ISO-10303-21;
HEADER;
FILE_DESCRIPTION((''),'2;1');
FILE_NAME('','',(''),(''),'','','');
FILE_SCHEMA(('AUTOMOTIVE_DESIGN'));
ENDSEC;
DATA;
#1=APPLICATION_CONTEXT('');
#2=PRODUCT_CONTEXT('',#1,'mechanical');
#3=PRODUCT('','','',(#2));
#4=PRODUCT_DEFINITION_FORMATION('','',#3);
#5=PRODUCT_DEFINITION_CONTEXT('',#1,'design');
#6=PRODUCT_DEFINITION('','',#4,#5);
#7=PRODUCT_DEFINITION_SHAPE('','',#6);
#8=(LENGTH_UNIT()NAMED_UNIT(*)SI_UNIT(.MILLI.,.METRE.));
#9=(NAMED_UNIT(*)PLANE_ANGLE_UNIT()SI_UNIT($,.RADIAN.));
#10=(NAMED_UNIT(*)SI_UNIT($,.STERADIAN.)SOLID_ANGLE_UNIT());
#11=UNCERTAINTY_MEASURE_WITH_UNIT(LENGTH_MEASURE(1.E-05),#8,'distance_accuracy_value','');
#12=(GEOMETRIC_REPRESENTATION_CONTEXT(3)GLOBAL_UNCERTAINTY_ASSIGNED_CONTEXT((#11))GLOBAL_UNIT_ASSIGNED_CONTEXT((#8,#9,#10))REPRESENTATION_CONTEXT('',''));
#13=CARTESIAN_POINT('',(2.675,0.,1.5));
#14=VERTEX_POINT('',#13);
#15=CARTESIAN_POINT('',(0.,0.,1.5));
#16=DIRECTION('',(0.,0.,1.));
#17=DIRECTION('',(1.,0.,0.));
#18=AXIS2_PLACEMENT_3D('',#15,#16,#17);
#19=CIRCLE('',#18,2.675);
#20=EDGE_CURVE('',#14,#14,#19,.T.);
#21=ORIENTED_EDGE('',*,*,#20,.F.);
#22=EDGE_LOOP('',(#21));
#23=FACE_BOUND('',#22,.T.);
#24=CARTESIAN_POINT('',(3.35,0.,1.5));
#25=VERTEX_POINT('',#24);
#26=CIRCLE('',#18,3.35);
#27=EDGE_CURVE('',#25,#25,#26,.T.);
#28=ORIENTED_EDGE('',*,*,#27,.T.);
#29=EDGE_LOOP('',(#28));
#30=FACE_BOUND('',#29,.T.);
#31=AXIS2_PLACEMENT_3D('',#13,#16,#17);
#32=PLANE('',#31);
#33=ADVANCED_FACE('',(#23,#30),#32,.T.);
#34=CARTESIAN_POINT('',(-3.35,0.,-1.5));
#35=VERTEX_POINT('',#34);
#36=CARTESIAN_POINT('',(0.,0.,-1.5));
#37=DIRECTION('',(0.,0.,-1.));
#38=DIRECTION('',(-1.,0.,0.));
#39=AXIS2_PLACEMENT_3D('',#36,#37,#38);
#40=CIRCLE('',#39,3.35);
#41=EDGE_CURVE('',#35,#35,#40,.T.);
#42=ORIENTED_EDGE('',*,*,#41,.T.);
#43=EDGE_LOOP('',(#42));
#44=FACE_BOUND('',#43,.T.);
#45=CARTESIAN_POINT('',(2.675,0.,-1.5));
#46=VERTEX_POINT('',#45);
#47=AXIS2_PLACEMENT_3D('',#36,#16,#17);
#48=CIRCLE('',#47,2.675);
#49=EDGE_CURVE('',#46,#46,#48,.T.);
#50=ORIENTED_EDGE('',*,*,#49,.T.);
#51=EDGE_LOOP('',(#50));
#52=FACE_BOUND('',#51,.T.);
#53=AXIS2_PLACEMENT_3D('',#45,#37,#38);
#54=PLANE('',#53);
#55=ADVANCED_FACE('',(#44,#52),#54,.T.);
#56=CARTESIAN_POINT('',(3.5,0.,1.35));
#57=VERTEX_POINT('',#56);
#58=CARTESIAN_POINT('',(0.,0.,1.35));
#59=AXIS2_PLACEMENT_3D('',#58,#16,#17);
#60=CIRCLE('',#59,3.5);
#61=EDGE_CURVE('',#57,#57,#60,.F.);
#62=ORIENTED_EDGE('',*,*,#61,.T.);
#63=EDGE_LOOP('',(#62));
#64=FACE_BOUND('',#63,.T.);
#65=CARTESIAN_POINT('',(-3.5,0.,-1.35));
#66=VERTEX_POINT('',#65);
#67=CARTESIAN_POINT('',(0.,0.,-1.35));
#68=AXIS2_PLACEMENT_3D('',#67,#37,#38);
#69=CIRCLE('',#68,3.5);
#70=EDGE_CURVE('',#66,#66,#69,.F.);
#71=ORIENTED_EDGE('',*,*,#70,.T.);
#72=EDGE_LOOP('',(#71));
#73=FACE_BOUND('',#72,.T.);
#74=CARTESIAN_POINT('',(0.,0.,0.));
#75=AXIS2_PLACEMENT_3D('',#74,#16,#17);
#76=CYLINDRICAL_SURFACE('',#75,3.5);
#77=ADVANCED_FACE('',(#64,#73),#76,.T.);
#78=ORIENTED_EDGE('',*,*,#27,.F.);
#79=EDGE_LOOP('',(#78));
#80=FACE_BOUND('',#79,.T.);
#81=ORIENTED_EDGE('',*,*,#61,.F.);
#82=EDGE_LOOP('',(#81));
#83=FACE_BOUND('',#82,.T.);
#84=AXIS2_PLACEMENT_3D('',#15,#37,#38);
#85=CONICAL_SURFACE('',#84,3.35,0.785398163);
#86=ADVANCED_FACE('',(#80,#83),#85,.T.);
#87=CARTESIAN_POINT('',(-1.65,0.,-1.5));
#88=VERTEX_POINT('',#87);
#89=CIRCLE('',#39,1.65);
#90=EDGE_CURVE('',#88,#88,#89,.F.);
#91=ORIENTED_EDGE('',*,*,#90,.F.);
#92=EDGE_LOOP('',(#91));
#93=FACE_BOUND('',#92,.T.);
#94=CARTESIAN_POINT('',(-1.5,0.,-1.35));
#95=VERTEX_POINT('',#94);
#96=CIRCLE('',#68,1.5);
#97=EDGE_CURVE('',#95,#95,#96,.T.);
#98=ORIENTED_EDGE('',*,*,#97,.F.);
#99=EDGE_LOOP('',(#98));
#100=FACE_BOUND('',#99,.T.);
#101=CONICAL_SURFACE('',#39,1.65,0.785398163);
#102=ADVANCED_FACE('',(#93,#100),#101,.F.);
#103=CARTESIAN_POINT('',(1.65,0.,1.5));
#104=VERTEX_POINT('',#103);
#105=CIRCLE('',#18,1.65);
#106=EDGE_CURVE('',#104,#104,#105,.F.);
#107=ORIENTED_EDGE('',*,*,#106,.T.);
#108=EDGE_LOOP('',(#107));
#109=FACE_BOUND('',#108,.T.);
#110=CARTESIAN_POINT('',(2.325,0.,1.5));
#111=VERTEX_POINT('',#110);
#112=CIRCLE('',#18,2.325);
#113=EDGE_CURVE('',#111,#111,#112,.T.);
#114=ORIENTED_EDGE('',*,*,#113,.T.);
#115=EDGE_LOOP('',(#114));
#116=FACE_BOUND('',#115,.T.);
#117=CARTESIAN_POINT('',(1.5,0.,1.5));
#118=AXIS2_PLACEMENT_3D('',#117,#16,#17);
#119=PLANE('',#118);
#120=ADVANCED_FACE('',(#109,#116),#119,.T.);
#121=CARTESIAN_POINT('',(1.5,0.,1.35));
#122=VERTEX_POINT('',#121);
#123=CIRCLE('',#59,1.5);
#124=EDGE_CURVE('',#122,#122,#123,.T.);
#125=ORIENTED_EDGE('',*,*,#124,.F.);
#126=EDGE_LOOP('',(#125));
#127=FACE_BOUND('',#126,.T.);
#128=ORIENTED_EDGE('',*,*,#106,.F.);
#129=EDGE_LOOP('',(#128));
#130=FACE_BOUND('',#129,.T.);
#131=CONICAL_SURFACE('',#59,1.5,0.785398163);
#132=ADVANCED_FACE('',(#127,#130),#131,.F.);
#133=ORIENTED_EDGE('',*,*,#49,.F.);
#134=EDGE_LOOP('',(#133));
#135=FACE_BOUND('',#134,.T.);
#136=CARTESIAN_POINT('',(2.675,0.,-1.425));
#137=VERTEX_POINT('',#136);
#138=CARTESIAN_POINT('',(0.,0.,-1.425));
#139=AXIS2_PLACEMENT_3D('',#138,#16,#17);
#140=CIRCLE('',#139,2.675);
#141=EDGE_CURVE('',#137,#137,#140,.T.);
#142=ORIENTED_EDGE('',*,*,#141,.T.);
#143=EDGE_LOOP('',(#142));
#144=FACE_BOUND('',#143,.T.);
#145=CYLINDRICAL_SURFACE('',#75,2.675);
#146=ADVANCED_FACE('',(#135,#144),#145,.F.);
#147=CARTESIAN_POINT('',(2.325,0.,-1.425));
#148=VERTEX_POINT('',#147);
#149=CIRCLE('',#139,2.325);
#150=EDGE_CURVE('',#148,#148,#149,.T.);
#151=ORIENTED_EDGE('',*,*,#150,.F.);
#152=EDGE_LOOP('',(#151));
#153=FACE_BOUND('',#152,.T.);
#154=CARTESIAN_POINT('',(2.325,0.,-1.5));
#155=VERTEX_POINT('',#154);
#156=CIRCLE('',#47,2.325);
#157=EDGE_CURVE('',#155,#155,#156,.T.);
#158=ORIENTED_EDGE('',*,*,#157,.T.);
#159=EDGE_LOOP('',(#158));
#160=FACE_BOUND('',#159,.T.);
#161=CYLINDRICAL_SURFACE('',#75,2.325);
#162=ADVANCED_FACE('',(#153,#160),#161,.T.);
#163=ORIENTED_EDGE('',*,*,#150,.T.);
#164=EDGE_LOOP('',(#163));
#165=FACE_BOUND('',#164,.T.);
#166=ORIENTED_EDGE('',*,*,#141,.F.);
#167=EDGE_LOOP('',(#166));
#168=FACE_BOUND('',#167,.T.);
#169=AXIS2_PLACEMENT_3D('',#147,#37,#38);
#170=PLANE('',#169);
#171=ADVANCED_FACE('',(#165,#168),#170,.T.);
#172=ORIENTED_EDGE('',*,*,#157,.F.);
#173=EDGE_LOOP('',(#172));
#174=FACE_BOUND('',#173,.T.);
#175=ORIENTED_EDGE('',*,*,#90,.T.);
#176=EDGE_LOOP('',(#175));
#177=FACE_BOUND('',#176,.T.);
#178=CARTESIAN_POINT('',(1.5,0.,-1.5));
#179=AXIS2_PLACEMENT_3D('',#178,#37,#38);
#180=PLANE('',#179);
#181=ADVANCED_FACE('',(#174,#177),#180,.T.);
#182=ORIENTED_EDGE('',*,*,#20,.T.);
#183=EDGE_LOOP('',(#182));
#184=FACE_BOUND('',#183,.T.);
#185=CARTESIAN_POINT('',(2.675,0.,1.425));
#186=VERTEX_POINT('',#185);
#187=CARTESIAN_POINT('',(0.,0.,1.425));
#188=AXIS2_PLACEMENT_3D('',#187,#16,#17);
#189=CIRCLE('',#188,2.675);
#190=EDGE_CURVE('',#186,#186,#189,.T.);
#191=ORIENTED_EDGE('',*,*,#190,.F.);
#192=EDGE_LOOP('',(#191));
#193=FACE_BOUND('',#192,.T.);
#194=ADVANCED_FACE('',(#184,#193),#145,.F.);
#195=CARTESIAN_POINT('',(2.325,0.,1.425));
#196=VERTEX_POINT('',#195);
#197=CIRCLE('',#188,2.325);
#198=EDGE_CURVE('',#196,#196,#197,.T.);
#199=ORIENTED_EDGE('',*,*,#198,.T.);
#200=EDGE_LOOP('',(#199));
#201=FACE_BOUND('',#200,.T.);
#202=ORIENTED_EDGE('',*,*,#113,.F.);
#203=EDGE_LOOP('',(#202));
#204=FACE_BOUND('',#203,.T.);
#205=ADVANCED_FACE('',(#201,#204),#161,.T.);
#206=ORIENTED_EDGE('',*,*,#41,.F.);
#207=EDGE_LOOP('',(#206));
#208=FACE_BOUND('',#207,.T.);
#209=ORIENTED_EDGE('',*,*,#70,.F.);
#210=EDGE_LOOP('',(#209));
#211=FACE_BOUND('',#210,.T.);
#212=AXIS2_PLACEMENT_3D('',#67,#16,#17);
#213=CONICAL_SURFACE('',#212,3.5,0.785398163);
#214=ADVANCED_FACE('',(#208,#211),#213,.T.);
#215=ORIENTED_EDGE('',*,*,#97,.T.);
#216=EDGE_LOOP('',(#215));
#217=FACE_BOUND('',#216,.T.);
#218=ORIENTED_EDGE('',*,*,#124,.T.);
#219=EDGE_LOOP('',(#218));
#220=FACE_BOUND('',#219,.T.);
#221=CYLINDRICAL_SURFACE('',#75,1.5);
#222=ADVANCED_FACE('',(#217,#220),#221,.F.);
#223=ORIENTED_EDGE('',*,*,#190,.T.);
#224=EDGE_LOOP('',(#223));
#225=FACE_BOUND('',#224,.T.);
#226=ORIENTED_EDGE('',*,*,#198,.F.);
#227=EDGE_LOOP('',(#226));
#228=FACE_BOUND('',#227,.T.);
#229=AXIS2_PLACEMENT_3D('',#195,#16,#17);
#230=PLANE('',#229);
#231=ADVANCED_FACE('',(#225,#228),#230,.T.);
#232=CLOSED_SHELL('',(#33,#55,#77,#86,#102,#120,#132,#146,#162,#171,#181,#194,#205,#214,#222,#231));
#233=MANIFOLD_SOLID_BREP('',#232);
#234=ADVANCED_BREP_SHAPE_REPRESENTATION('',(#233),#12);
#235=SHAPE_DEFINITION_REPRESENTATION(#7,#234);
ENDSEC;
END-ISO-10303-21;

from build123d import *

# Parameters (mm, degrees)
CHAMFER1_SIZE = 0.15


with BuildPart() as part:
    # Sketch3 → Revolve1 (revolve)
    with BuildSketch(Plane(origin=(0, 0, 0), x_dir=(1, 0, 0), z_dir=(0, 1, 0))):
        Polygon((1.5, -1.5), (1.5, 1.5), (2.325, 1.5), (2.325, 1.425), (2.675, 1.425), (2.675, 1.5), (3.5, 1.5), (3.5, -1.5), (2.675, -1.5), (2.675, -1.425), (2.325, -1.425), (2.325, -1.5), align=None)
    revolve(axis=Axis((0, 0, 0), (0, 0, -1)))

    # Chamfer1
    chamfer1_edges = [part.edges().sort_by_distance(p)[0] for p in [
        (-3.5, 0, 1.5),
        (-3.5, 0, -1.5),
        (-1.5, 0, -1.5),
        (-1.5, 0, 1.5),
    ]]
    chamfer(chamfer1_edges, length=CHAMFER1_SIZE)


solid = part.part
